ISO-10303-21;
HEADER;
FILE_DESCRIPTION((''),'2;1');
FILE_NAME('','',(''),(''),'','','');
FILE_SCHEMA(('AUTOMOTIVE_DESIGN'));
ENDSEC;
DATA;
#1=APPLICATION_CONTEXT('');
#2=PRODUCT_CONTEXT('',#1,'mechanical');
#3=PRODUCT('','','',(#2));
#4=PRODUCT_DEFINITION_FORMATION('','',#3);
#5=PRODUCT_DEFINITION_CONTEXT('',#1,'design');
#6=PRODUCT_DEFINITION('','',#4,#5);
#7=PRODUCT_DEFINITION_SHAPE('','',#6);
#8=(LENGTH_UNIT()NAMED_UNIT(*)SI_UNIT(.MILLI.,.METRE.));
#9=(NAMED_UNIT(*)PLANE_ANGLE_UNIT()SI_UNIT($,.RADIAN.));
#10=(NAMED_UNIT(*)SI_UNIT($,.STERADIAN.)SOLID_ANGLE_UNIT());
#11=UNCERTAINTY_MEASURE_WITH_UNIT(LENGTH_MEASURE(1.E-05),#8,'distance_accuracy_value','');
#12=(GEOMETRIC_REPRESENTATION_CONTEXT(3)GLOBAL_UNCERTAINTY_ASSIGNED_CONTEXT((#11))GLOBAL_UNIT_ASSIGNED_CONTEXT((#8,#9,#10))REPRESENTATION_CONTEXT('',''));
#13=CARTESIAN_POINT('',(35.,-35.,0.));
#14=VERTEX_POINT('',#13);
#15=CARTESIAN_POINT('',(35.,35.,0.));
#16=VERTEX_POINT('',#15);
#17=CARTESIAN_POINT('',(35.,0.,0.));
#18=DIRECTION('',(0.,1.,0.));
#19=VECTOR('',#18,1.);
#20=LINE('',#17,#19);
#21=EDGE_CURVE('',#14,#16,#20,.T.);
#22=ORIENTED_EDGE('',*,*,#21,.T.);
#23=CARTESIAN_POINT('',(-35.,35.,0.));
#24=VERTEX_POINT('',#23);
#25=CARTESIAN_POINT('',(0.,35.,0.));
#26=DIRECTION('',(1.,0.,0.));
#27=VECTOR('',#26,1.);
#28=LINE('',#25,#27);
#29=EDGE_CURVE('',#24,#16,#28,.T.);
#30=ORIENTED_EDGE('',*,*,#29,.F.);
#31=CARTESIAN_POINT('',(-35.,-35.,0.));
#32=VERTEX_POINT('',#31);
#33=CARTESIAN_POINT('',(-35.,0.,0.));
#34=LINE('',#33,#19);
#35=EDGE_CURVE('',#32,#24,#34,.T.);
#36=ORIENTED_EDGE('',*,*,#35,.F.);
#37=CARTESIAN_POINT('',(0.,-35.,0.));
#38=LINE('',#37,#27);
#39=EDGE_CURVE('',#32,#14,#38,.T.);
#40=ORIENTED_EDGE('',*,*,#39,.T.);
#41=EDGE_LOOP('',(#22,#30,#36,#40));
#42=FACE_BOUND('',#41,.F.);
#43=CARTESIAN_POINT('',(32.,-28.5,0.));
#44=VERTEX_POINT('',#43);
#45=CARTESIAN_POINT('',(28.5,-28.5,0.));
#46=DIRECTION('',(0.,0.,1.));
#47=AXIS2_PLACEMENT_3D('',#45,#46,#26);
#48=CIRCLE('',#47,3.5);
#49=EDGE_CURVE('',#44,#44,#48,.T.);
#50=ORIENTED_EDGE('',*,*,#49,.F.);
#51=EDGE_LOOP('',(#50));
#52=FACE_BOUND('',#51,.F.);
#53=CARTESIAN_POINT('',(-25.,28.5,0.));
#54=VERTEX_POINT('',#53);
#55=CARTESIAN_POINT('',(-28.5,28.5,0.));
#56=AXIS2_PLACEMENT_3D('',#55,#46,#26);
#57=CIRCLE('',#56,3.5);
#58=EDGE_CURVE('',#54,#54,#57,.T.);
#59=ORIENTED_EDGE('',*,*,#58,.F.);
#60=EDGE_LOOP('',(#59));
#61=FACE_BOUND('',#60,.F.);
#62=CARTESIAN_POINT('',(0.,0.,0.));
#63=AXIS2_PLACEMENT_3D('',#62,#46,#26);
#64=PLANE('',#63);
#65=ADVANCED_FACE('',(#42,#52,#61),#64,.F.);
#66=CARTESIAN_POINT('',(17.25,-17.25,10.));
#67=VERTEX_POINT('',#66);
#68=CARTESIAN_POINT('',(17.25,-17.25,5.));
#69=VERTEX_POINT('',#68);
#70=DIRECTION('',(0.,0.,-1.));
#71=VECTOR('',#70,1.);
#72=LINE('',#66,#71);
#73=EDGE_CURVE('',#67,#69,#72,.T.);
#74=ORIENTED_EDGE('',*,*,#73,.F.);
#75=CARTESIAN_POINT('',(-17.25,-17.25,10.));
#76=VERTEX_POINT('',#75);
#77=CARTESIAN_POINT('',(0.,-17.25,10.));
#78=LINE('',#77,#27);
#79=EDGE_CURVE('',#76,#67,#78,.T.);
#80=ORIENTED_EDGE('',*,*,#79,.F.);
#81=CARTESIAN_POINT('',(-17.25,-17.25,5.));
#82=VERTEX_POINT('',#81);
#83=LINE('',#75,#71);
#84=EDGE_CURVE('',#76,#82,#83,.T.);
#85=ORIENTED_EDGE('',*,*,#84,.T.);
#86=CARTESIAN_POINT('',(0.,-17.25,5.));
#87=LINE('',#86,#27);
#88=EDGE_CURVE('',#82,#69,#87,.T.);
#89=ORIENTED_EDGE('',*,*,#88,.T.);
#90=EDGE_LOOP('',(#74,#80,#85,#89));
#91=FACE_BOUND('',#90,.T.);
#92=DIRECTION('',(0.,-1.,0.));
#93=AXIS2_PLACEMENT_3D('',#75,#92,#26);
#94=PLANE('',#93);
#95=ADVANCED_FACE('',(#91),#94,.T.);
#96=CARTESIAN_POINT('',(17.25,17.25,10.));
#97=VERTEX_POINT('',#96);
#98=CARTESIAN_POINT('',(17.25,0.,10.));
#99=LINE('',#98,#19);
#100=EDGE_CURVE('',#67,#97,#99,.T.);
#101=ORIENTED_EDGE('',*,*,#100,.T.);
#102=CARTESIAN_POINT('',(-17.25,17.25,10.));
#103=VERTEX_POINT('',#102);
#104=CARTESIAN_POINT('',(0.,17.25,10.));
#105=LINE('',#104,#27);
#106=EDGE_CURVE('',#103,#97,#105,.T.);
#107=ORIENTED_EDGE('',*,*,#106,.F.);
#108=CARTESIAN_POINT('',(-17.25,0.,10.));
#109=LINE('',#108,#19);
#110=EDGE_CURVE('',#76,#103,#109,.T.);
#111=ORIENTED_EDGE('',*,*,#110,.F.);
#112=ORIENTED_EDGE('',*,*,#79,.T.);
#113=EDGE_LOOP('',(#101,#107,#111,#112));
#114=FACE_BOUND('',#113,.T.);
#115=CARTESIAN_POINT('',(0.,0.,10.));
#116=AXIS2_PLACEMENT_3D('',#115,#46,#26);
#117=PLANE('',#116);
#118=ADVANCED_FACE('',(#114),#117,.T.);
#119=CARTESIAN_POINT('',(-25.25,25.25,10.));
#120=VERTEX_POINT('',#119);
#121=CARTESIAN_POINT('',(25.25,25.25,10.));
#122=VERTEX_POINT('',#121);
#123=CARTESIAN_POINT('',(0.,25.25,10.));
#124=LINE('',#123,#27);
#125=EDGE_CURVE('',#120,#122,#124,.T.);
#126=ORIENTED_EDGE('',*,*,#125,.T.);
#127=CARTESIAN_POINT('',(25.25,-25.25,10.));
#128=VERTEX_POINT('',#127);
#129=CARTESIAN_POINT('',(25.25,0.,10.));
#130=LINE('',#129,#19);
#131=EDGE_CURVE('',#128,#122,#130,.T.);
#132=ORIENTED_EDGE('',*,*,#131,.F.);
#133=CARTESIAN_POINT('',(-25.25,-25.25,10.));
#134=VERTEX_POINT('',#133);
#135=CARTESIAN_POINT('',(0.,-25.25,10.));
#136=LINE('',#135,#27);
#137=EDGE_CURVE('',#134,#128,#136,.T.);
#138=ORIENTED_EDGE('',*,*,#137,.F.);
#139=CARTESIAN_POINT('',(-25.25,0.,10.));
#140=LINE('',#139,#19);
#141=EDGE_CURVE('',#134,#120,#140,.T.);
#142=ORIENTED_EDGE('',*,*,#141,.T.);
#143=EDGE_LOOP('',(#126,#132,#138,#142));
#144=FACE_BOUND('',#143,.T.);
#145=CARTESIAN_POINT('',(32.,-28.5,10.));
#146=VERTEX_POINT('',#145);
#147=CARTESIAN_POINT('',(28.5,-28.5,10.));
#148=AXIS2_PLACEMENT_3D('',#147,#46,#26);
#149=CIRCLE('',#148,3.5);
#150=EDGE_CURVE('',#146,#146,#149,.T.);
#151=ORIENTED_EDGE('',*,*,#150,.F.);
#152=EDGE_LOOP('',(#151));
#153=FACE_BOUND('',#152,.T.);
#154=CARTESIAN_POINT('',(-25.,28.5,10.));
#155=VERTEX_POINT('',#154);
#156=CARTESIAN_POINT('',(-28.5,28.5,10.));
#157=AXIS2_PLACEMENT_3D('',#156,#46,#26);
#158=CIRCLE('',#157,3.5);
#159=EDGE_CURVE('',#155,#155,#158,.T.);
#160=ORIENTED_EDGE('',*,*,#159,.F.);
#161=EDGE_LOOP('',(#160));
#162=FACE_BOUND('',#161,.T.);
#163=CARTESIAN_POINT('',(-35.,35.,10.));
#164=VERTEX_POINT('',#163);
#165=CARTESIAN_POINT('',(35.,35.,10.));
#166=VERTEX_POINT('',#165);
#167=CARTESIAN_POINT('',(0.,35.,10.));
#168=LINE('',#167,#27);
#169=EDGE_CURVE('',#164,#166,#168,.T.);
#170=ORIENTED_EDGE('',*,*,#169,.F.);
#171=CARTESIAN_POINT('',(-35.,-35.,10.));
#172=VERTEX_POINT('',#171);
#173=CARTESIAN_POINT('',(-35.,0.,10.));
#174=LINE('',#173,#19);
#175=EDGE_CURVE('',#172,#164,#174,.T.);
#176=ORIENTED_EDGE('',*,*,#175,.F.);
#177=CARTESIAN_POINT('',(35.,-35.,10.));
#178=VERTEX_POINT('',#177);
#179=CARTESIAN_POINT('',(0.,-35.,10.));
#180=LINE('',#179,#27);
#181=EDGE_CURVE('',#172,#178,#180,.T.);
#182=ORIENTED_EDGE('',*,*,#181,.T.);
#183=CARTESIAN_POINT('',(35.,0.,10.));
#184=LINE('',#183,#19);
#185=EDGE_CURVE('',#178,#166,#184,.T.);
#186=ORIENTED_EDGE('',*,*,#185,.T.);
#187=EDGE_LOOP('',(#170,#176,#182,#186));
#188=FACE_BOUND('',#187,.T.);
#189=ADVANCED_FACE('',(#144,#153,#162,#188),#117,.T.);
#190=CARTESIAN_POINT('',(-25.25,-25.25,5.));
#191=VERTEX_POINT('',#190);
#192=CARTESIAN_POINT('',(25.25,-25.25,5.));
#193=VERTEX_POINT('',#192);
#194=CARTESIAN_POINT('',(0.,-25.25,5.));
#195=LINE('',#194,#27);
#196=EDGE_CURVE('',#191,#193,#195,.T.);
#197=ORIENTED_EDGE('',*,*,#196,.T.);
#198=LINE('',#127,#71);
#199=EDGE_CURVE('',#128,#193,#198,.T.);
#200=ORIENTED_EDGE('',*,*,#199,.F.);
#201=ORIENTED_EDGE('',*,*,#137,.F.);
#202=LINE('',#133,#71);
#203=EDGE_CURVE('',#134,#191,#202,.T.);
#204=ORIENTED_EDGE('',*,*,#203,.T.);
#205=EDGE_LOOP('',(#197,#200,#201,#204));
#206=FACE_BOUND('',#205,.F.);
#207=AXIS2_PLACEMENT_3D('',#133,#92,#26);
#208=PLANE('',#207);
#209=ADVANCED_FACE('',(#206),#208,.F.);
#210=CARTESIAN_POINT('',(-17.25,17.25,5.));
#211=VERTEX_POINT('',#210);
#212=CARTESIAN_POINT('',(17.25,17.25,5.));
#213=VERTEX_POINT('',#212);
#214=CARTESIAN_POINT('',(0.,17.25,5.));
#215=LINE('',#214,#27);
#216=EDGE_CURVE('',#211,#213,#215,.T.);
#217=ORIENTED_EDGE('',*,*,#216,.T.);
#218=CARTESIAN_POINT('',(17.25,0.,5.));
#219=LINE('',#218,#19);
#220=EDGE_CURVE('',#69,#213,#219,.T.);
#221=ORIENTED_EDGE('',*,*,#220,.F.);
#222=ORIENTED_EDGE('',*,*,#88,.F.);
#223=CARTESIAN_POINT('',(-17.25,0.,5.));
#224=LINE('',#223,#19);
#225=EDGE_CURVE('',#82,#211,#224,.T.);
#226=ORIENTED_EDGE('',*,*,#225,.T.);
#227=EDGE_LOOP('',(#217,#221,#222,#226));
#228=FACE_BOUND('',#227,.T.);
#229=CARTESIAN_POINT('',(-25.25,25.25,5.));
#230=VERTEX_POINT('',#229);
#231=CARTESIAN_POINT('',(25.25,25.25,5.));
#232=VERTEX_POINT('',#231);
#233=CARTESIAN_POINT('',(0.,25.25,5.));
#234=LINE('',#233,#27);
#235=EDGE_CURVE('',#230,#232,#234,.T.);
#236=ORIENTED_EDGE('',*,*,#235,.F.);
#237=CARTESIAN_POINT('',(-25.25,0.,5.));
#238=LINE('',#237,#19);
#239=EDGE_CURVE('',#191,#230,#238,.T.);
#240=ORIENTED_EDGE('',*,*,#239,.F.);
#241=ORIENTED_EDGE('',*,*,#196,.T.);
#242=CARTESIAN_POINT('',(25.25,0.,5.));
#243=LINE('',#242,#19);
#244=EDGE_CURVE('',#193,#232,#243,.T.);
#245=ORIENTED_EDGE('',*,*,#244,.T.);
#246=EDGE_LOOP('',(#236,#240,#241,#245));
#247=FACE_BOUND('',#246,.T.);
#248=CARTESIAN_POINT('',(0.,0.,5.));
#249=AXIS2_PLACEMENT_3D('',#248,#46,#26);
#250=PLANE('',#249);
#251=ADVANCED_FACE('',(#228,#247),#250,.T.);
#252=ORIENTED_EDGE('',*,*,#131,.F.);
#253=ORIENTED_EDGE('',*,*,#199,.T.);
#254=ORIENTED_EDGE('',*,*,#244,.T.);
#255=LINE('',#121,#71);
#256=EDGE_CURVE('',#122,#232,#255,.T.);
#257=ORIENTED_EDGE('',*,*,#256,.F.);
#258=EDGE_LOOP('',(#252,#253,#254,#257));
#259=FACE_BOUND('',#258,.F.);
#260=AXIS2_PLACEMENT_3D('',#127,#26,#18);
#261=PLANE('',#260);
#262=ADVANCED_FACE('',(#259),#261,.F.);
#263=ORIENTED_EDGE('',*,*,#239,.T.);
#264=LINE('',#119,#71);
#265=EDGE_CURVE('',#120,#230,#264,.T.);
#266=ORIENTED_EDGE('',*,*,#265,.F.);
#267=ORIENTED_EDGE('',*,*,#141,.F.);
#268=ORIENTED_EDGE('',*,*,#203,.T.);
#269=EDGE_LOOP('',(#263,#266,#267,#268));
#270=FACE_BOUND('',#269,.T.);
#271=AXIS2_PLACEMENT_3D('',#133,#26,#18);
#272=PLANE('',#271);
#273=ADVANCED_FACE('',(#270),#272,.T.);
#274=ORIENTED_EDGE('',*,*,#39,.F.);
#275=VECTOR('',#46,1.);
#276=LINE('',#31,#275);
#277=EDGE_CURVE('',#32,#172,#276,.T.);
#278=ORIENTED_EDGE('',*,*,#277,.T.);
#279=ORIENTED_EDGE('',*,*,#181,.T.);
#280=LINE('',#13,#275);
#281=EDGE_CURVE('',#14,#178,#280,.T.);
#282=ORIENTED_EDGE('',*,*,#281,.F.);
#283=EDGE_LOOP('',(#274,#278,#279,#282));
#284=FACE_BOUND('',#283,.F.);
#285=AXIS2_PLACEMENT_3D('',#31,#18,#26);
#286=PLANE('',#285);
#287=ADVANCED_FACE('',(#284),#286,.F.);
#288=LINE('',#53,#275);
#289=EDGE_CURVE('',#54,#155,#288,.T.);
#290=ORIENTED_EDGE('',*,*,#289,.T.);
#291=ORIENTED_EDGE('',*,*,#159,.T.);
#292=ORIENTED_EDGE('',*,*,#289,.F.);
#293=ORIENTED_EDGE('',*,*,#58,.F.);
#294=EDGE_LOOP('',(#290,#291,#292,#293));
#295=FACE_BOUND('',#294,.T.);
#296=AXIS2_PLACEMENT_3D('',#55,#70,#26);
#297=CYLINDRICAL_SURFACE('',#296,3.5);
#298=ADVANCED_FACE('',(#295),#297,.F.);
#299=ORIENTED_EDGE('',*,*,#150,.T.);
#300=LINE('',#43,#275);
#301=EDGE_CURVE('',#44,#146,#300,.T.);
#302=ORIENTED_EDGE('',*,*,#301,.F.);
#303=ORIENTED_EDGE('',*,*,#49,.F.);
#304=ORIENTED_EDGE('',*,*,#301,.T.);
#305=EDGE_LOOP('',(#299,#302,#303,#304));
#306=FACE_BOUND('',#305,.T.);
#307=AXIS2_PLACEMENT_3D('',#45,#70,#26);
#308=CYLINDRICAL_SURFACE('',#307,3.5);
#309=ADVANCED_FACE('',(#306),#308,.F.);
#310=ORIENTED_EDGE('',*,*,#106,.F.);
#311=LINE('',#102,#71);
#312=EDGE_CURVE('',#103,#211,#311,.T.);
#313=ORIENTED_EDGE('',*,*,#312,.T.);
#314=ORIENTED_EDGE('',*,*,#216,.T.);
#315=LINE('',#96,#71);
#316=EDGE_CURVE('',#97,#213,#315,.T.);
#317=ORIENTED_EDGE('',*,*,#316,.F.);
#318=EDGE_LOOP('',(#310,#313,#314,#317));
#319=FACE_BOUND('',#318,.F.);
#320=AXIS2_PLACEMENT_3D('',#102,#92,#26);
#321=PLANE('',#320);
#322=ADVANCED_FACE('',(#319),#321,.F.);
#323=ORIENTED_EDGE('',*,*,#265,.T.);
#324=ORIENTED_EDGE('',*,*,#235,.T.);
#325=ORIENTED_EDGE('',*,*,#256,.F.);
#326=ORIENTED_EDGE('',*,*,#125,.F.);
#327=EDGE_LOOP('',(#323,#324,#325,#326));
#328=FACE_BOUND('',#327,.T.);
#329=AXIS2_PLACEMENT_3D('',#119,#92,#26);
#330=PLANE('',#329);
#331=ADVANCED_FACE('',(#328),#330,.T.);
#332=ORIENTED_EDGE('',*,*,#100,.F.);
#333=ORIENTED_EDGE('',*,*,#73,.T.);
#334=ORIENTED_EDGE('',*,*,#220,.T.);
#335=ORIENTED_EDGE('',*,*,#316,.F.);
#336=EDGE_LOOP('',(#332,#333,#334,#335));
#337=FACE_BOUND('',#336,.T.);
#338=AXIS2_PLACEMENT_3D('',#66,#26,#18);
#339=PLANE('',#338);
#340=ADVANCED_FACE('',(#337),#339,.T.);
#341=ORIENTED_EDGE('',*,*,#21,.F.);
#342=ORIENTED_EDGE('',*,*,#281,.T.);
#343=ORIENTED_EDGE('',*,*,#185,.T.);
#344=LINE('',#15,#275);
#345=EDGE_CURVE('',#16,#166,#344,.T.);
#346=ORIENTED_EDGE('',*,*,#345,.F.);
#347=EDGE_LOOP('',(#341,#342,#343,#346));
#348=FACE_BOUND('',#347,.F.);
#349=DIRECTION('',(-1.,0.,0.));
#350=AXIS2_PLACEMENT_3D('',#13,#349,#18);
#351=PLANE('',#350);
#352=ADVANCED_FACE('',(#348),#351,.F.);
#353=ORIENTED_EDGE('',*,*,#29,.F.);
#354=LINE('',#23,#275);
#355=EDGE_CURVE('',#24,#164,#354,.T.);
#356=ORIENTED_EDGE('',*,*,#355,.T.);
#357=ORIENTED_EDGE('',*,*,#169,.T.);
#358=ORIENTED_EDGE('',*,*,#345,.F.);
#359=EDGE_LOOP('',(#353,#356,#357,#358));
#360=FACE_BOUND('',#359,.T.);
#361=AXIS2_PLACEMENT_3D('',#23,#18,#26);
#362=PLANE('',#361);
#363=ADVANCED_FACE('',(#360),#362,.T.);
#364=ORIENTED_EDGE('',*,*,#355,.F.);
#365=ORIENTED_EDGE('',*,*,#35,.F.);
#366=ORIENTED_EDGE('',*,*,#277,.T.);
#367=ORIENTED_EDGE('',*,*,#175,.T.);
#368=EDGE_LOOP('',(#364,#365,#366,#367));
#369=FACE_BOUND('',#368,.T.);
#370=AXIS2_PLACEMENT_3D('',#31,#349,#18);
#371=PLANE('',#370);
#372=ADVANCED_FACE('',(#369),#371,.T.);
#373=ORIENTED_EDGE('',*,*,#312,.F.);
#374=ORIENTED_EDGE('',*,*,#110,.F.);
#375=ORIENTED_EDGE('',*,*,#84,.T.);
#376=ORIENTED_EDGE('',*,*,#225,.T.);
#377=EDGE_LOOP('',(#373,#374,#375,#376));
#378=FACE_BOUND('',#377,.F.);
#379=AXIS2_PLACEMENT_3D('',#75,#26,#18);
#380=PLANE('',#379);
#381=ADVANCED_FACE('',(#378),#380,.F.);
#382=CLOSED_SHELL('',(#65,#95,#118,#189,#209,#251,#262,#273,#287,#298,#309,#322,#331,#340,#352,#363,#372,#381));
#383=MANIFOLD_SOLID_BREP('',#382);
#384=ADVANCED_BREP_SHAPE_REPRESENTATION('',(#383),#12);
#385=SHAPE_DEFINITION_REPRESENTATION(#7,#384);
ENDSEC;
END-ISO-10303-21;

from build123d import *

# Parameters (mm, degrees)
F0_W     = 70
F0_H     = 70
F0_R     = 3.5
F1_DEPTH = 10
F2_W     = 50.5
F2_H     = 50.5
F2_W_2   = 34.5
F2_H_2   = 34.5
F3_DEPTH = 5


with BuildPart() as f1:
    # F0 (on Top) → F1 (new body)
    with BuildSketch(Plane.XY):
        Rectangle(F0_W, F0_H)
        with Locations((28.5, -28.5)):
            Circle(F0_R, mode=Mode.SUBTRACT)
        with Locations((-28.5, 28.5)):
            Circle(F0_R, mode=Mode.SUBTRACT)
    extrude(amount=F1_DEPTH)

    # F2 (on face) → F3 (cut)
    with BuildSketch(Plane.XY.offset(10)):
        Rectangle(F2_W, F2_H)
        Rectangle(F2_W_2, F2_H_2, mode=Mode.SUBTRACT)
    extrude(amount=-F3_DEPTH, mode=Mode.SUBTRACT)


solid = f1.part
